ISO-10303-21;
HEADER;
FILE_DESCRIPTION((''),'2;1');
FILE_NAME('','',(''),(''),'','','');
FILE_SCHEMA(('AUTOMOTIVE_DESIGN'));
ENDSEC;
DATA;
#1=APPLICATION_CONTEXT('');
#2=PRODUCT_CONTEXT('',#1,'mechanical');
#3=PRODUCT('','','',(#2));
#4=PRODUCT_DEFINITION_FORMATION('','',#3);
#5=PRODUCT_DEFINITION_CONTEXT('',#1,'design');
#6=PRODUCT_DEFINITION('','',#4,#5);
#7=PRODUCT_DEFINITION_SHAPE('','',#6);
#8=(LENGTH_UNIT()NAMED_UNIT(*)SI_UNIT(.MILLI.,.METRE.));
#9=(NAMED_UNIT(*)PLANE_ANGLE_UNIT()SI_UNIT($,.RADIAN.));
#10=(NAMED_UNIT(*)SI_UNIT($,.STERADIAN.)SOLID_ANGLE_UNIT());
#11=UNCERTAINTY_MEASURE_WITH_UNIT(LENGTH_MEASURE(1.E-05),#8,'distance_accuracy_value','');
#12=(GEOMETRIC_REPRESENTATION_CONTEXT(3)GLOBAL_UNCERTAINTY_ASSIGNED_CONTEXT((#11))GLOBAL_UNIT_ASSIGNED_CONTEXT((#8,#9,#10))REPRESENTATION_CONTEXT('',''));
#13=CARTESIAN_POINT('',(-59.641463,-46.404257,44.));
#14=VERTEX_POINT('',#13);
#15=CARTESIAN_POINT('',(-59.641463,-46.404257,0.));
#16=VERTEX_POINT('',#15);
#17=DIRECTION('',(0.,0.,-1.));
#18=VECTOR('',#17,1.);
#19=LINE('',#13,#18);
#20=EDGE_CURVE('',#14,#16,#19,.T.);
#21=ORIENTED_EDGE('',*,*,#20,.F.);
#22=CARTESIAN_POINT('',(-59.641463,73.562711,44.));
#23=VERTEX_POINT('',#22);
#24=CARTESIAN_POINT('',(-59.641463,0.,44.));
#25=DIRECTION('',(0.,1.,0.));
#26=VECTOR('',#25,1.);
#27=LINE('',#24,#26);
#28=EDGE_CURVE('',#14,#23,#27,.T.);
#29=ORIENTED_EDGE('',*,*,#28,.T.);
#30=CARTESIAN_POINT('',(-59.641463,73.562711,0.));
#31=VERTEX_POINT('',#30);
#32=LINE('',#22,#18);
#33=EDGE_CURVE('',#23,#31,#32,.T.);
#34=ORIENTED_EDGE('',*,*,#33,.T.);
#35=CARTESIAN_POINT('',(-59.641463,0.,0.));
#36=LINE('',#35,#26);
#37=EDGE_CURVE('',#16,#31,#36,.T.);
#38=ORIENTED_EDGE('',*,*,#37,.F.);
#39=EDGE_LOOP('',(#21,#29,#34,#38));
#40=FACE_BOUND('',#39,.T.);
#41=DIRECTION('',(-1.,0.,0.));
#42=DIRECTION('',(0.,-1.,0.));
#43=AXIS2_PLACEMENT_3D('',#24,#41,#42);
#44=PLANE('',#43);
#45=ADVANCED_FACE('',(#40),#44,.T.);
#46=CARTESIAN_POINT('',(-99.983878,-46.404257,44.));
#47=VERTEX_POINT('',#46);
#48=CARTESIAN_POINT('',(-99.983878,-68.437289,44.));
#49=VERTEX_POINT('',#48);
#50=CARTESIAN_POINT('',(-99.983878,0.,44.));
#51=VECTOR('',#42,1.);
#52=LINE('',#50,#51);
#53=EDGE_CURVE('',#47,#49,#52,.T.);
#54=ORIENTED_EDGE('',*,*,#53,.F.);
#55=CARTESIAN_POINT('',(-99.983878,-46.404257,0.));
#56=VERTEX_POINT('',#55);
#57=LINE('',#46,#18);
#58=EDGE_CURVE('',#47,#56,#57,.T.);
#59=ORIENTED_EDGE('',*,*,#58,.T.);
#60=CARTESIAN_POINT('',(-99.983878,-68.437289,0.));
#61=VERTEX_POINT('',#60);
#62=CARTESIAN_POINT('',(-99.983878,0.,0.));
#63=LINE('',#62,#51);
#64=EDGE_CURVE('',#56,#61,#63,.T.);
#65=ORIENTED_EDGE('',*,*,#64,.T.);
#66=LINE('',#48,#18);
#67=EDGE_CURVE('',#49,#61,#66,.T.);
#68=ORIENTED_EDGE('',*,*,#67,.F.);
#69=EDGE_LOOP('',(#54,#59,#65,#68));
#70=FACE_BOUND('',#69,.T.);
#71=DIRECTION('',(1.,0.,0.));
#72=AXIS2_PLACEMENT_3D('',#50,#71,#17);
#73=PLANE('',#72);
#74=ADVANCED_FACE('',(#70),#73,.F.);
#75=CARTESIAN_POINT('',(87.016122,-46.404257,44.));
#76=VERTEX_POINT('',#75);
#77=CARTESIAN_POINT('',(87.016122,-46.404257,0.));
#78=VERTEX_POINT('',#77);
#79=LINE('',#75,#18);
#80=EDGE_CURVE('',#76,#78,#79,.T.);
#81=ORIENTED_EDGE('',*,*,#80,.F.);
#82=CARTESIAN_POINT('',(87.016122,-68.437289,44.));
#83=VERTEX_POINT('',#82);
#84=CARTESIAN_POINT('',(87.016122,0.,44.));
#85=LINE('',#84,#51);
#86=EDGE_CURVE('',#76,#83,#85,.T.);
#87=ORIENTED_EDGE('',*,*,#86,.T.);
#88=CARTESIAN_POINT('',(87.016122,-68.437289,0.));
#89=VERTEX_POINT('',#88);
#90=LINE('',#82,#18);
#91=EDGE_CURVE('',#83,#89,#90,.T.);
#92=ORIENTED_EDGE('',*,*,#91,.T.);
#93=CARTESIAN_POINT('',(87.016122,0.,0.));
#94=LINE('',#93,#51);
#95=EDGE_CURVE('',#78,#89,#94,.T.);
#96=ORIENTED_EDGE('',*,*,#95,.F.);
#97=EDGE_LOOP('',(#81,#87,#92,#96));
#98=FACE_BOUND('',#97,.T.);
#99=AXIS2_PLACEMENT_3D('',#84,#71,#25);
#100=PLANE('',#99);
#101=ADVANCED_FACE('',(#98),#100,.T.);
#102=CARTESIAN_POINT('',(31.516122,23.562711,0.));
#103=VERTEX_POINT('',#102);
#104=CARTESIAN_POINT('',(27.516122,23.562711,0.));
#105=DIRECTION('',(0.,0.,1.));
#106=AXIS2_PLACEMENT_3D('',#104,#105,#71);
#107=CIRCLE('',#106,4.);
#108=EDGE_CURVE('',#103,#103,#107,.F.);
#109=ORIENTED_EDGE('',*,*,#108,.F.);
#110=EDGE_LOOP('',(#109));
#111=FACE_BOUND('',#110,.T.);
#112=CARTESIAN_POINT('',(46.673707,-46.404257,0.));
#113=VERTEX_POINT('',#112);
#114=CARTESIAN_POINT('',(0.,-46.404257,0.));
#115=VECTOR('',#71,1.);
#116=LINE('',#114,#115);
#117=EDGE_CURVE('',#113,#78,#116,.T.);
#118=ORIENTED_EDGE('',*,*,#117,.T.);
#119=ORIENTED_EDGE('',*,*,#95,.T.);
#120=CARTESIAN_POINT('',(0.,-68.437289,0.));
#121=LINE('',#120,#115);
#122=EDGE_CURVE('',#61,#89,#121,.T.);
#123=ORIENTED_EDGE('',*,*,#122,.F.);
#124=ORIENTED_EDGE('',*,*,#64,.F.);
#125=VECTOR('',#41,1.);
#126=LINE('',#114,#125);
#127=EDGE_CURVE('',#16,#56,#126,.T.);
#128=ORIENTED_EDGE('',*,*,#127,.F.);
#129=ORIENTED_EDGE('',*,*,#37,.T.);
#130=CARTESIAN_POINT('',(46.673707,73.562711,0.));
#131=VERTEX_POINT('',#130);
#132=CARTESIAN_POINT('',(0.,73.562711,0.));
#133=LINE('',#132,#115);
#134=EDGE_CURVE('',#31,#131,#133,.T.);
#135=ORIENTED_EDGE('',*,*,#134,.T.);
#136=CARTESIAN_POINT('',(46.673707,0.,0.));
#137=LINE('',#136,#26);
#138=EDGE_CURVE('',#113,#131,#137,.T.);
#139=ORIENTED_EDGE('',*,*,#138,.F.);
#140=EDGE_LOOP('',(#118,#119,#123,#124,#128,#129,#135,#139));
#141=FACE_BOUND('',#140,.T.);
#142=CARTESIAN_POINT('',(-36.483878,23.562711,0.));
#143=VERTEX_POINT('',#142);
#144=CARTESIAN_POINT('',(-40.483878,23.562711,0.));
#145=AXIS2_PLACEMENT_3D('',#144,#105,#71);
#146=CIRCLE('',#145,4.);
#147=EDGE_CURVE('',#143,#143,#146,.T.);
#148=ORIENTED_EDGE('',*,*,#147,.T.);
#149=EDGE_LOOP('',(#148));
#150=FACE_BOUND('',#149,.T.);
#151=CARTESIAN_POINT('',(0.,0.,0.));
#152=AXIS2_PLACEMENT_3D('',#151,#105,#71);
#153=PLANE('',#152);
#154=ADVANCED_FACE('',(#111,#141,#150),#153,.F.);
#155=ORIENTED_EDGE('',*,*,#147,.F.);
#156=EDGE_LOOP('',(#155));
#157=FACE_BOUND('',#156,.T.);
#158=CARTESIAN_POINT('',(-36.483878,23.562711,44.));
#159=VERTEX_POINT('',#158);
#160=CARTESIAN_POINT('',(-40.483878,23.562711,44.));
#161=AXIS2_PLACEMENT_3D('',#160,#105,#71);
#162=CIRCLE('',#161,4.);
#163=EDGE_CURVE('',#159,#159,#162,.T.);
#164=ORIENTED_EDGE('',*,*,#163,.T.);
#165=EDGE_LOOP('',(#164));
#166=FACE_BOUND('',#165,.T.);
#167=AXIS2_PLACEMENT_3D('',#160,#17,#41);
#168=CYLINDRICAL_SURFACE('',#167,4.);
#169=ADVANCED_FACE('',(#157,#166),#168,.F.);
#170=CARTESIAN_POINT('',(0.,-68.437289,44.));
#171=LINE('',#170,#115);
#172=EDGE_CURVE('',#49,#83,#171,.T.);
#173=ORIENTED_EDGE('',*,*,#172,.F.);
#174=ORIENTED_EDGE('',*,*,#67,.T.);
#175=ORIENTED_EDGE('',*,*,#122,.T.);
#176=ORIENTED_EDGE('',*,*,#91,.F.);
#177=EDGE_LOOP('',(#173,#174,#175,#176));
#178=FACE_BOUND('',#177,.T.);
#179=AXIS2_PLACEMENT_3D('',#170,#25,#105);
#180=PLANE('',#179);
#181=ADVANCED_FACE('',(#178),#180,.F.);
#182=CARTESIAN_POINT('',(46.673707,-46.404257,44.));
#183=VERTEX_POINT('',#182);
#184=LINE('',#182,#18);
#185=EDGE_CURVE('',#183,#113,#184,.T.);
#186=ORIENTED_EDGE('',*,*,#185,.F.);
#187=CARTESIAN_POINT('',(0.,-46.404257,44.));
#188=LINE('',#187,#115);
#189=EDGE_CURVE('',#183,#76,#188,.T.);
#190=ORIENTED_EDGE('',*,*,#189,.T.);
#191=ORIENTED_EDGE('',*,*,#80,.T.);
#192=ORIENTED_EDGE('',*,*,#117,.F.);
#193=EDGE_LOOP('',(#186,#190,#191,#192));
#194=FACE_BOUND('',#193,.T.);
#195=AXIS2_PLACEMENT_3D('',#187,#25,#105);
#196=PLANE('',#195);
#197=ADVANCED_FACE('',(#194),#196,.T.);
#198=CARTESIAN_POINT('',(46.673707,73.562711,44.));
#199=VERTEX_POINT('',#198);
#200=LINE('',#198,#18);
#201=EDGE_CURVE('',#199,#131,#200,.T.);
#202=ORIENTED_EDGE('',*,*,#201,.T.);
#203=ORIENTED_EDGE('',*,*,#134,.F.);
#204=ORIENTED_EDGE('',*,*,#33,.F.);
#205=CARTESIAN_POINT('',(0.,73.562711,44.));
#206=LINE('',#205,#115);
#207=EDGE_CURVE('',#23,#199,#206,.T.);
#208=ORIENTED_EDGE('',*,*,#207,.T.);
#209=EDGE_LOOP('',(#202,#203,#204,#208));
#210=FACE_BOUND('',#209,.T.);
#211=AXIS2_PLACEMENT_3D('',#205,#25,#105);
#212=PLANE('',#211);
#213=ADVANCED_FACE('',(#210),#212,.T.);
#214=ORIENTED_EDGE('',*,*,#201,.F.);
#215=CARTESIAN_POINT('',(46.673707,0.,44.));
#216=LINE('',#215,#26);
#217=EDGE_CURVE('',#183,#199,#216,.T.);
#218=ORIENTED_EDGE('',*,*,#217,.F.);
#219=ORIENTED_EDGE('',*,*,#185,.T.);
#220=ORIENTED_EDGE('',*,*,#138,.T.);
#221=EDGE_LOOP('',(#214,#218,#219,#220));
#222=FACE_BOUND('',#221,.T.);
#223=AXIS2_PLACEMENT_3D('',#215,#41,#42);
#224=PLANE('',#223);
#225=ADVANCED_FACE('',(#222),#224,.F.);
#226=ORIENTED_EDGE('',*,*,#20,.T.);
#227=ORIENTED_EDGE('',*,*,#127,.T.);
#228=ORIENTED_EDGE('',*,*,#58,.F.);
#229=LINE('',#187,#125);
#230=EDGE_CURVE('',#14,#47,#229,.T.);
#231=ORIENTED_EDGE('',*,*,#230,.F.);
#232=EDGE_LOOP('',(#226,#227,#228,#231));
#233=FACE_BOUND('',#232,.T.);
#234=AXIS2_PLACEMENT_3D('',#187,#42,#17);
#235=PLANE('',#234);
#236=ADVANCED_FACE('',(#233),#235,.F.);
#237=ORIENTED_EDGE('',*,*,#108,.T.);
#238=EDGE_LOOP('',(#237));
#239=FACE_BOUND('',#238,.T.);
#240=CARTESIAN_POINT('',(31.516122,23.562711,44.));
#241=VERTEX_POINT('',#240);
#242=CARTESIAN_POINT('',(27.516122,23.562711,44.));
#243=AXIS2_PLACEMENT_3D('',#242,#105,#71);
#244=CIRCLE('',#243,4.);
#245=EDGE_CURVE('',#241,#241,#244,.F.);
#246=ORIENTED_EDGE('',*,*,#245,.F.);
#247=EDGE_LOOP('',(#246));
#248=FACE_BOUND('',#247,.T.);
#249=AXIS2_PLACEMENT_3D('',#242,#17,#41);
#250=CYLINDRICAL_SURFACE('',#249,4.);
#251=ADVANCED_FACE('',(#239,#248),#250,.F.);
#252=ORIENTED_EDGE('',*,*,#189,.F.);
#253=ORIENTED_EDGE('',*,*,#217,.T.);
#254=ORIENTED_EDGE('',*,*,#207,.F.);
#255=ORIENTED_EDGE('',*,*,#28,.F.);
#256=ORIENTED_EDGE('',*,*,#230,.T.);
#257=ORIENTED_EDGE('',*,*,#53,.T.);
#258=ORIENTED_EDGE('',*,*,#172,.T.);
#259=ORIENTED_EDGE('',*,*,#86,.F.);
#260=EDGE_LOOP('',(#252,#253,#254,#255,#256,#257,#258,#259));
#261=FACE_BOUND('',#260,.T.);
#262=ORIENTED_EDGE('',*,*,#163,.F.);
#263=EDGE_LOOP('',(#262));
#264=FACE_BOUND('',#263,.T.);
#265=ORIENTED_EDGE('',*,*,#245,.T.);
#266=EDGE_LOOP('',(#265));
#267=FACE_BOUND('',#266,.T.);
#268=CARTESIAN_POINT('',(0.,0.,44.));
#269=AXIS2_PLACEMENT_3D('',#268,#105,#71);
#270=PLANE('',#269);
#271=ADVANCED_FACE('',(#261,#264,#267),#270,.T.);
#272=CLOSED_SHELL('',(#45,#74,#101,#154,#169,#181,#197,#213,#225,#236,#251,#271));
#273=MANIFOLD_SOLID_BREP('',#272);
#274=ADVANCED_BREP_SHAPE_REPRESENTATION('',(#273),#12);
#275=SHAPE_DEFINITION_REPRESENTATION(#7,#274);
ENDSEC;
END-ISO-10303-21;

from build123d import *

# Parameters (mm, degrees)
SKETCH1_R           = 4
BOSS_EXTRUDE1_DEPTH = 44


with BuildPart() as part:
    # Sketch1 → Boss-Extrude1 (new body)
    with BuildSketch(Plane.XY):
        Polygon((46.673707227, -46.404256771), (87.016122023, -46.404256771), (87.016122023, -68.43728916), (-99.983877977, -68.43728916), (-99.983877977, -46.404256771), (-59.641463181, -46.404256771), (-59.641463181, 73.56271084), (46.673707227, 73.56271084), align=None)
        with Locations((-40.483877977, 23.56271084)):
            Circle(SKETCH1_R, mode=Mode.SUBTRACT)
        with Locations((27.516122023, 23.56271084)):
            Circle(SKETCH1_R, mode=Mode.SUBTRACT)
    extrude(amount=BOSS_EXTRUDE1_DEPTH)


solid = part.part
